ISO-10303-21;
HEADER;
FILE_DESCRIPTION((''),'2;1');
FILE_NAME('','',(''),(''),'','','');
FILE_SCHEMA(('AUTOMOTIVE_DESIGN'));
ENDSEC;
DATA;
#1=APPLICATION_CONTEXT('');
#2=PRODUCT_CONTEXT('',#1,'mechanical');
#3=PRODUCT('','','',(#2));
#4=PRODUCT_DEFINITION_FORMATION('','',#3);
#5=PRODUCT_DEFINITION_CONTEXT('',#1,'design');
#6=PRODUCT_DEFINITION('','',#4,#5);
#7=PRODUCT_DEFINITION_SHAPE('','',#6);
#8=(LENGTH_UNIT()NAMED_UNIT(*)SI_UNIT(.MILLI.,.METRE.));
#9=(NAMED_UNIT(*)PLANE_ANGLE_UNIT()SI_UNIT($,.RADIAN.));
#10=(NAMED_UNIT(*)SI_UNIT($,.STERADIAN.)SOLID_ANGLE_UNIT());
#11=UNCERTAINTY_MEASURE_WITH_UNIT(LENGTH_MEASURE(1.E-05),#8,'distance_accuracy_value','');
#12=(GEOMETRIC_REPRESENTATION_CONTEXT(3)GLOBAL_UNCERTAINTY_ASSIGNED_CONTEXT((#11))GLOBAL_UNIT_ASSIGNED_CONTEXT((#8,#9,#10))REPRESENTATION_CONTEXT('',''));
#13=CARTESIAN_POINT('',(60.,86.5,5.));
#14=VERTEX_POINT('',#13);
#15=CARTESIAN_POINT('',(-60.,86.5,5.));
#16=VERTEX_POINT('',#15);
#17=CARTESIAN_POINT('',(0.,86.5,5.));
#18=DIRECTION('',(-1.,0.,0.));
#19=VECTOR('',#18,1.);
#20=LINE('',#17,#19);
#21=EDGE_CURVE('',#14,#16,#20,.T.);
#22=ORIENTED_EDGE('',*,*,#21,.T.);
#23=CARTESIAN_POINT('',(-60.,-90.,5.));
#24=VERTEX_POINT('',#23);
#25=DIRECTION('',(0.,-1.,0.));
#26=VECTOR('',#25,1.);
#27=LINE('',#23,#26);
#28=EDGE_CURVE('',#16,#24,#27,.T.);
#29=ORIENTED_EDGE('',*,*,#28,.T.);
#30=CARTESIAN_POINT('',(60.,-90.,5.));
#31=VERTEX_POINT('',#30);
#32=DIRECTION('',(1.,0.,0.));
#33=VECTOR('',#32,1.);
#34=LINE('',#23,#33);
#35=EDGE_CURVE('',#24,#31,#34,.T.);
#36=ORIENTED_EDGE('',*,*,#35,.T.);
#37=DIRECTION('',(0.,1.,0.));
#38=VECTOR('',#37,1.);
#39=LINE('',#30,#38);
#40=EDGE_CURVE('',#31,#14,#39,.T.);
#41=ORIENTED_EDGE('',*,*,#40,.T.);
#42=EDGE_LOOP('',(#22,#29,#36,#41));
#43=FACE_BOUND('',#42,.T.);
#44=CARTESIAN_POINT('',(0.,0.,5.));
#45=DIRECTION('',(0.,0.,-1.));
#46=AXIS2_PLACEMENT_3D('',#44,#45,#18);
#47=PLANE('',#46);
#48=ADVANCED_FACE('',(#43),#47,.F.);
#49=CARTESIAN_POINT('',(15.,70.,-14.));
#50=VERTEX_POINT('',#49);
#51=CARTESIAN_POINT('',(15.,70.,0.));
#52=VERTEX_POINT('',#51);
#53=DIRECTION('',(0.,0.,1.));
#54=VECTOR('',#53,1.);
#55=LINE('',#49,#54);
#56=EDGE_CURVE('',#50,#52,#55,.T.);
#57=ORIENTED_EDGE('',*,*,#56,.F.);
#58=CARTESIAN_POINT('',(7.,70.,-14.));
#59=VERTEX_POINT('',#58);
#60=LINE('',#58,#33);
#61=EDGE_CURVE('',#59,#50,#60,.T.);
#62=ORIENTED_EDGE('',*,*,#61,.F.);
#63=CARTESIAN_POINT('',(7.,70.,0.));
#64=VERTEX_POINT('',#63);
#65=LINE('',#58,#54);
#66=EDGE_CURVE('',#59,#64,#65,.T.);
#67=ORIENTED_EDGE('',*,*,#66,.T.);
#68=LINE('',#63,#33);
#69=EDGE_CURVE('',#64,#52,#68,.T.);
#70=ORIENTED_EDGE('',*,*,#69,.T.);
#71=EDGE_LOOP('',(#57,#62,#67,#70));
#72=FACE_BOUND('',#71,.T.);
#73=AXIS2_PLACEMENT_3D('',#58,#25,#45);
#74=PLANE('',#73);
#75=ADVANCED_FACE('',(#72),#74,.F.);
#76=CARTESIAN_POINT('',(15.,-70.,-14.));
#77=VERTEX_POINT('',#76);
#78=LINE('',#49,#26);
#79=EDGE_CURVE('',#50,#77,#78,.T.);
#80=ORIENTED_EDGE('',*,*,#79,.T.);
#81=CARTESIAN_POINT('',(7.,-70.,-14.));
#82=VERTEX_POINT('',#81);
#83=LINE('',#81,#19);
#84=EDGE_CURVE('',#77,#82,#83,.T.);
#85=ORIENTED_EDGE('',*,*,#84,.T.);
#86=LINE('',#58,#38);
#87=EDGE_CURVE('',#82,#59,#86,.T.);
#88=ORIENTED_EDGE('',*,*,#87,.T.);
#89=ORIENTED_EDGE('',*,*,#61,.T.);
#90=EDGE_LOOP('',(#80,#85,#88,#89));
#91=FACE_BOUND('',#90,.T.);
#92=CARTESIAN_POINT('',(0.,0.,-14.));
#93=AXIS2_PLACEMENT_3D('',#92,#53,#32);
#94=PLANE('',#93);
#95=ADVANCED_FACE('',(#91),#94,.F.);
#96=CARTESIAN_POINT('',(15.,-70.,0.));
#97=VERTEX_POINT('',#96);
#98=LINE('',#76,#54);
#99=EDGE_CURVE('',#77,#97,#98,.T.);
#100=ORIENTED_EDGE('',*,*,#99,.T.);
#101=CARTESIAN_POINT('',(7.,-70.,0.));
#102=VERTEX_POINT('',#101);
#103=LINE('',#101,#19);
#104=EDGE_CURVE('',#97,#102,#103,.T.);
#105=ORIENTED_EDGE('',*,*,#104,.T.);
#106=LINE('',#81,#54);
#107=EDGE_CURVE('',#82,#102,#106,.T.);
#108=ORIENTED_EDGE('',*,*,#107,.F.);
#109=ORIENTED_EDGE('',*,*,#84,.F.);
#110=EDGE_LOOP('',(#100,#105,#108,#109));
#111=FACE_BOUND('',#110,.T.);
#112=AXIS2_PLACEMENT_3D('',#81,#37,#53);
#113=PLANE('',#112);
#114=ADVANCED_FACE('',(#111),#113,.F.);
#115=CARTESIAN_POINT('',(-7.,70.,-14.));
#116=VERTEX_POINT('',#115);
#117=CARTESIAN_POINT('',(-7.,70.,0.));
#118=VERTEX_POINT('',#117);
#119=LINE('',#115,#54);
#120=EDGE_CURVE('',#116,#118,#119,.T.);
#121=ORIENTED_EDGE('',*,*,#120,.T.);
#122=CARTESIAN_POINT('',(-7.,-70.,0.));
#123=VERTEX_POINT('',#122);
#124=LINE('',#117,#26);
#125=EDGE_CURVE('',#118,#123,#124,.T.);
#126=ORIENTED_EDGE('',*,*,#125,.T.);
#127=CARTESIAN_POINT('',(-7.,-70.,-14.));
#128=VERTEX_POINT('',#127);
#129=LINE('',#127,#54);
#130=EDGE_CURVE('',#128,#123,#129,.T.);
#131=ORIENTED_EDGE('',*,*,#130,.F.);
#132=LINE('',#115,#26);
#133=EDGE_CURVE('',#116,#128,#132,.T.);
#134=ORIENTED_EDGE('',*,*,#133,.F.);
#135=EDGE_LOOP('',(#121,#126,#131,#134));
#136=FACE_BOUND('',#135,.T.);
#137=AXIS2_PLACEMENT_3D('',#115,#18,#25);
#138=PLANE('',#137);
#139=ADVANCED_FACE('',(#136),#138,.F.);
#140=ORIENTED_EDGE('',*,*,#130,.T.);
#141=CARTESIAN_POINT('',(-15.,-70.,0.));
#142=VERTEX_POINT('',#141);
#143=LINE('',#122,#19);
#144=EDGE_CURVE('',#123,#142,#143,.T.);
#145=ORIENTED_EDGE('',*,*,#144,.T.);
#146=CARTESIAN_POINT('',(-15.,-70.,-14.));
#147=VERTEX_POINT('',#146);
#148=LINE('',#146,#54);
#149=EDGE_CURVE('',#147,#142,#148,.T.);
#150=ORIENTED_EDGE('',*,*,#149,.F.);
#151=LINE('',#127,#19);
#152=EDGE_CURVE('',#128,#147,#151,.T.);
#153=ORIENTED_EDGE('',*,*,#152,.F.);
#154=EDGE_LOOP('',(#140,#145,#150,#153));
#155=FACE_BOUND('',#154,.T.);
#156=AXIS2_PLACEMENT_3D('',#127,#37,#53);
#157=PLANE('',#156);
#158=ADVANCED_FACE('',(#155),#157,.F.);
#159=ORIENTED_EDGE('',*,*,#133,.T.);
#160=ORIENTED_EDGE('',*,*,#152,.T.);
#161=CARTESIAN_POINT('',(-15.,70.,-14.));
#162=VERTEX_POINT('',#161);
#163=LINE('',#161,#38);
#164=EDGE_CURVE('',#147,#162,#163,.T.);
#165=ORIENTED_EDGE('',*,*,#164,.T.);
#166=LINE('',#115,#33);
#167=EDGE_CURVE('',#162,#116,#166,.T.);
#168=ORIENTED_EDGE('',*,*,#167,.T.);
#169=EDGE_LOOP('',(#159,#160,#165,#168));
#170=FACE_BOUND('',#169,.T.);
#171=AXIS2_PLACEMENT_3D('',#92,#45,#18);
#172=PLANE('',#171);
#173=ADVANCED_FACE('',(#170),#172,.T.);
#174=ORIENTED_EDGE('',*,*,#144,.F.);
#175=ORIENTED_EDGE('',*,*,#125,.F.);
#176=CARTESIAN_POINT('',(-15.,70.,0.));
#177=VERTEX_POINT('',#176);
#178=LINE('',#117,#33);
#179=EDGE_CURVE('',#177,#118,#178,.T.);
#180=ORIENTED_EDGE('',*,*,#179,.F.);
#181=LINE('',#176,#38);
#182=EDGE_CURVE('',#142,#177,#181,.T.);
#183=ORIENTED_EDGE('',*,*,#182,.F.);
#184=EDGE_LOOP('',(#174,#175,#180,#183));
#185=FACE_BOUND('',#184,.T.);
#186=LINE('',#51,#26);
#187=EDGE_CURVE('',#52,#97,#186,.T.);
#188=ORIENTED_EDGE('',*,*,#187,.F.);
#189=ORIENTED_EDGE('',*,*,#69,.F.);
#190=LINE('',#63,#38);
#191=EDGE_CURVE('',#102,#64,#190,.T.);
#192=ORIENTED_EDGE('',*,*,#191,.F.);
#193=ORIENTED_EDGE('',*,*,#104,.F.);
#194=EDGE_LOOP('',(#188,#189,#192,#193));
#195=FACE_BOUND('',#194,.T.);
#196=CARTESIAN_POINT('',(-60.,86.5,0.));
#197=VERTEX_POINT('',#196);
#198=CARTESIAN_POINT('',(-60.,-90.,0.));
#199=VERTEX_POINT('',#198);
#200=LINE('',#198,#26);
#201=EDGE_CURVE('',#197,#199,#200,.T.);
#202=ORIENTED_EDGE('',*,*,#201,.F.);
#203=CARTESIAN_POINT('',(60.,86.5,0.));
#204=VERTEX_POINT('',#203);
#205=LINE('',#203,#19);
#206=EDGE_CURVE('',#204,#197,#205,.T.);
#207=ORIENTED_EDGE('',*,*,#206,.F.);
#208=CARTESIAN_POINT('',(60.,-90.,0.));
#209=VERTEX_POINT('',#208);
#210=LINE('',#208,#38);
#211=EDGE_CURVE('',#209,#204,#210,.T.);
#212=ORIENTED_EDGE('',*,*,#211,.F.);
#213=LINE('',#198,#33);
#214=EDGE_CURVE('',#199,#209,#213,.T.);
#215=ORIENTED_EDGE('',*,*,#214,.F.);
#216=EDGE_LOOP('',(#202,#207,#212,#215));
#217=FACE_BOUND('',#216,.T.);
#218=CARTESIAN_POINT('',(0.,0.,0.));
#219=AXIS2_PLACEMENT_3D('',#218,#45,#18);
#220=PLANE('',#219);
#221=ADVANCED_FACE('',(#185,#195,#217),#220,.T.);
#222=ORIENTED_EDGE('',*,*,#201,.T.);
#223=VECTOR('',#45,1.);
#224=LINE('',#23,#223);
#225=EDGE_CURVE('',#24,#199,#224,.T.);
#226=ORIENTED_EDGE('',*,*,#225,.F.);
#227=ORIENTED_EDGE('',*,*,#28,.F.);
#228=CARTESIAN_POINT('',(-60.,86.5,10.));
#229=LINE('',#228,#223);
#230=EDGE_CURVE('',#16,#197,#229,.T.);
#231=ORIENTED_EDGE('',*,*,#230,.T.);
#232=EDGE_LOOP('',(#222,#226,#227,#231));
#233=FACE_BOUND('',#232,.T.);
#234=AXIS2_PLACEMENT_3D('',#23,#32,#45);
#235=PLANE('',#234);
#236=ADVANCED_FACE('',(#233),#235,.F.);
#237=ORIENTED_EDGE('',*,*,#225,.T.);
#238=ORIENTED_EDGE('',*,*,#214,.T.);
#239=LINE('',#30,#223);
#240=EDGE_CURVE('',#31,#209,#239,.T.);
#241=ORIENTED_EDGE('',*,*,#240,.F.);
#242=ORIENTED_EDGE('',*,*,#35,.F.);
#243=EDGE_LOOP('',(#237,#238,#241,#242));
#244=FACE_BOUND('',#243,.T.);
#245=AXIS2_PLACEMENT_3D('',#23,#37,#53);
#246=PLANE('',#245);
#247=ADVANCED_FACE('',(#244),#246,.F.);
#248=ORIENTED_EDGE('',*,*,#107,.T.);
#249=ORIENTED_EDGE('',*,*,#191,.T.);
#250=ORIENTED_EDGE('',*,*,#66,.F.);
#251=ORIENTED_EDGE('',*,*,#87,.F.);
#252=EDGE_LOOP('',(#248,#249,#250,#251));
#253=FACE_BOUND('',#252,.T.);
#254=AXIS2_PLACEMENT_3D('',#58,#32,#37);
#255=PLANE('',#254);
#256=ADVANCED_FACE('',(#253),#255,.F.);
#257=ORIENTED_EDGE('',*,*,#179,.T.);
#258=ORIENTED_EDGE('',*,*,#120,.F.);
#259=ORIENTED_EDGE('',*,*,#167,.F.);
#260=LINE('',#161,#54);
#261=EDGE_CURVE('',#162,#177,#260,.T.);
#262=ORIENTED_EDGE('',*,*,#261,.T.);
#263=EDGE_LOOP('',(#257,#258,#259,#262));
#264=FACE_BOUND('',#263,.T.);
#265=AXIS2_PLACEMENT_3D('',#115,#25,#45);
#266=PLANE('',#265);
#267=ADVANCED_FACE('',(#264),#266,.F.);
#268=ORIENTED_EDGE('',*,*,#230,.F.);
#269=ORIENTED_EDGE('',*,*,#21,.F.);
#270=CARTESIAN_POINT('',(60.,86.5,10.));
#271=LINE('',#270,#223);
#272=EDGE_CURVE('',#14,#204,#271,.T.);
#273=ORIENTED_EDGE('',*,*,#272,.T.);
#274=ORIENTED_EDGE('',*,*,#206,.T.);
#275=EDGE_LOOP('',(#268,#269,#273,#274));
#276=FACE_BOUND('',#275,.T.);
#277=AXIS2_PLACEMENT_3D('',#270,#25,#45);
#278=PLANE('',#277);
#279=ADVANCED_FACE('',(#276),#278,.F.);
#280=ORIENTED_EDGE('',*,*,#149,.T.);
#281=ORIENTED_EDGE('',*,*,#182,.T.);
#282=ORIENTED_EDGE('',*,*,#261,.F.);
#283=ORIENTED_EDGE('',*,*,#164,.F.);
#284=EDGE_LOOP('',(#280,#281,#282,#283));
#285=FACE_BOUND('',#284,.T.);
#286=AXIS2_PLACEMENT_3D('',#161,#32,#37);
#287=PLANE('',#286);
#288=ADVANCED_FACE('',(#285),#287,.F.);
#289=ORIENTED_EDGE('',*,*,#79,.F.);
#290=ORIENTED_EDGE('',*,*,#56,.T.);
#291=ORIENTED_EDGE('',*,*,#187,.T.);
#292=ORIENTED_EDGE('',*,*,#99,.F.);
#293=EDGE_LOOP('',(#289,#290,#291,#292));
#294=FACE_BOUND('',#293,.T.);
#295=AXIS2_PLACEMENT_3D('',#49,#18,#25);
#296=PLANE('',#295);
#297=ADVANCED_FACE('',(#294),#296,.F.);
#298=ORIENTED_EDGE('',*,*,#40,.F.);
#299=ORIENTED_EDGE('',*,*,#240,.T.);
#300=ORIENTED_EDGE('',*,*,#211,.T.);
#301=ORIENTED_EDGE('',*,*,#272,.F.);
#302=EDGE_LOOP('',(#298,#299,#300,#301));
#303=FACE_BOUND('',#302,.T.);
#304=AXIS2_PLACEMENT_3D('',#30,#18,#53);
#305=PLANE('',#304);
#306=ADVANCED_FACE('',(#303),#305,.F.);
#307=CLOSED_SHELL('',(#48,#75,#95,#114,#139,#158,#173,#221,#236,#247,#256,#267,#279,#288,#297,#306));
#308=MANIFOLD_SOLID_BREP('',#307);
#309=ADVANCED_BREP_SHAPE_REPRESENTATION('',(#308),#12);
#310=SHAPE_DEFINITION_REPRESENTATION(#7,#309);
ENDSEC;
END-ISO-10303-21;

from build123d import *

# Parameters (mm, degrees)
SKETCH1_W           = 120
SKETCH1_H           = 180
BOSS_EXTRUDE1_DEPTH = 5
SKETCH2_W           = 8
SKETCH2_H           = 140
BOSS_EXTRUDE2_DEPTH = 14
SKETCH3_W           = 120
SKETCH3_H           = 3.5
CUT_EXTRUDE1_DEPTH  = 10


with BuildPart() as part:
    # Sketch1 → Boss-Extrude1 (new body)
    with BuildSketch(Plane.XY):
        Rectangle(SKETCH1_W, SKETCH1_H)
    extrude(amount=BOSS_EXTRUDE1_DEPTH)

    # Sketch2 → Boss-Extrude2 (add)
    with BuildSketch(Plane(origin=(0, 0, 0), x_dir=(-1, 0, 0), z_dir=(0, 0, -1))):
        with Locations((-11, 0)):
            Rectangle(SKETCH2_W, SKETCH2_H)
        with Locations((11, 0)):
            Rectangle(SKETCH2_W, SKETCH2_H)
    extrude(amount=BOSS_EXTRUDE2_DEPTH)

    # Sketch3 → Cut-Extrude1 (cut)
    with BuildSketch(Plane(origin=(0, 0, 0), x_dir=(-1, 0, 0), z_dir=(0, 0, -1))):
        with Locations((0, 88.25)):
            Rectangle(SKETCH3_W, SKETCH3_H)
    extrude(amount=-CUT_EXTRUDE1_DEPTH, mode=Mode.SUBTRACT)


solid = part.part
